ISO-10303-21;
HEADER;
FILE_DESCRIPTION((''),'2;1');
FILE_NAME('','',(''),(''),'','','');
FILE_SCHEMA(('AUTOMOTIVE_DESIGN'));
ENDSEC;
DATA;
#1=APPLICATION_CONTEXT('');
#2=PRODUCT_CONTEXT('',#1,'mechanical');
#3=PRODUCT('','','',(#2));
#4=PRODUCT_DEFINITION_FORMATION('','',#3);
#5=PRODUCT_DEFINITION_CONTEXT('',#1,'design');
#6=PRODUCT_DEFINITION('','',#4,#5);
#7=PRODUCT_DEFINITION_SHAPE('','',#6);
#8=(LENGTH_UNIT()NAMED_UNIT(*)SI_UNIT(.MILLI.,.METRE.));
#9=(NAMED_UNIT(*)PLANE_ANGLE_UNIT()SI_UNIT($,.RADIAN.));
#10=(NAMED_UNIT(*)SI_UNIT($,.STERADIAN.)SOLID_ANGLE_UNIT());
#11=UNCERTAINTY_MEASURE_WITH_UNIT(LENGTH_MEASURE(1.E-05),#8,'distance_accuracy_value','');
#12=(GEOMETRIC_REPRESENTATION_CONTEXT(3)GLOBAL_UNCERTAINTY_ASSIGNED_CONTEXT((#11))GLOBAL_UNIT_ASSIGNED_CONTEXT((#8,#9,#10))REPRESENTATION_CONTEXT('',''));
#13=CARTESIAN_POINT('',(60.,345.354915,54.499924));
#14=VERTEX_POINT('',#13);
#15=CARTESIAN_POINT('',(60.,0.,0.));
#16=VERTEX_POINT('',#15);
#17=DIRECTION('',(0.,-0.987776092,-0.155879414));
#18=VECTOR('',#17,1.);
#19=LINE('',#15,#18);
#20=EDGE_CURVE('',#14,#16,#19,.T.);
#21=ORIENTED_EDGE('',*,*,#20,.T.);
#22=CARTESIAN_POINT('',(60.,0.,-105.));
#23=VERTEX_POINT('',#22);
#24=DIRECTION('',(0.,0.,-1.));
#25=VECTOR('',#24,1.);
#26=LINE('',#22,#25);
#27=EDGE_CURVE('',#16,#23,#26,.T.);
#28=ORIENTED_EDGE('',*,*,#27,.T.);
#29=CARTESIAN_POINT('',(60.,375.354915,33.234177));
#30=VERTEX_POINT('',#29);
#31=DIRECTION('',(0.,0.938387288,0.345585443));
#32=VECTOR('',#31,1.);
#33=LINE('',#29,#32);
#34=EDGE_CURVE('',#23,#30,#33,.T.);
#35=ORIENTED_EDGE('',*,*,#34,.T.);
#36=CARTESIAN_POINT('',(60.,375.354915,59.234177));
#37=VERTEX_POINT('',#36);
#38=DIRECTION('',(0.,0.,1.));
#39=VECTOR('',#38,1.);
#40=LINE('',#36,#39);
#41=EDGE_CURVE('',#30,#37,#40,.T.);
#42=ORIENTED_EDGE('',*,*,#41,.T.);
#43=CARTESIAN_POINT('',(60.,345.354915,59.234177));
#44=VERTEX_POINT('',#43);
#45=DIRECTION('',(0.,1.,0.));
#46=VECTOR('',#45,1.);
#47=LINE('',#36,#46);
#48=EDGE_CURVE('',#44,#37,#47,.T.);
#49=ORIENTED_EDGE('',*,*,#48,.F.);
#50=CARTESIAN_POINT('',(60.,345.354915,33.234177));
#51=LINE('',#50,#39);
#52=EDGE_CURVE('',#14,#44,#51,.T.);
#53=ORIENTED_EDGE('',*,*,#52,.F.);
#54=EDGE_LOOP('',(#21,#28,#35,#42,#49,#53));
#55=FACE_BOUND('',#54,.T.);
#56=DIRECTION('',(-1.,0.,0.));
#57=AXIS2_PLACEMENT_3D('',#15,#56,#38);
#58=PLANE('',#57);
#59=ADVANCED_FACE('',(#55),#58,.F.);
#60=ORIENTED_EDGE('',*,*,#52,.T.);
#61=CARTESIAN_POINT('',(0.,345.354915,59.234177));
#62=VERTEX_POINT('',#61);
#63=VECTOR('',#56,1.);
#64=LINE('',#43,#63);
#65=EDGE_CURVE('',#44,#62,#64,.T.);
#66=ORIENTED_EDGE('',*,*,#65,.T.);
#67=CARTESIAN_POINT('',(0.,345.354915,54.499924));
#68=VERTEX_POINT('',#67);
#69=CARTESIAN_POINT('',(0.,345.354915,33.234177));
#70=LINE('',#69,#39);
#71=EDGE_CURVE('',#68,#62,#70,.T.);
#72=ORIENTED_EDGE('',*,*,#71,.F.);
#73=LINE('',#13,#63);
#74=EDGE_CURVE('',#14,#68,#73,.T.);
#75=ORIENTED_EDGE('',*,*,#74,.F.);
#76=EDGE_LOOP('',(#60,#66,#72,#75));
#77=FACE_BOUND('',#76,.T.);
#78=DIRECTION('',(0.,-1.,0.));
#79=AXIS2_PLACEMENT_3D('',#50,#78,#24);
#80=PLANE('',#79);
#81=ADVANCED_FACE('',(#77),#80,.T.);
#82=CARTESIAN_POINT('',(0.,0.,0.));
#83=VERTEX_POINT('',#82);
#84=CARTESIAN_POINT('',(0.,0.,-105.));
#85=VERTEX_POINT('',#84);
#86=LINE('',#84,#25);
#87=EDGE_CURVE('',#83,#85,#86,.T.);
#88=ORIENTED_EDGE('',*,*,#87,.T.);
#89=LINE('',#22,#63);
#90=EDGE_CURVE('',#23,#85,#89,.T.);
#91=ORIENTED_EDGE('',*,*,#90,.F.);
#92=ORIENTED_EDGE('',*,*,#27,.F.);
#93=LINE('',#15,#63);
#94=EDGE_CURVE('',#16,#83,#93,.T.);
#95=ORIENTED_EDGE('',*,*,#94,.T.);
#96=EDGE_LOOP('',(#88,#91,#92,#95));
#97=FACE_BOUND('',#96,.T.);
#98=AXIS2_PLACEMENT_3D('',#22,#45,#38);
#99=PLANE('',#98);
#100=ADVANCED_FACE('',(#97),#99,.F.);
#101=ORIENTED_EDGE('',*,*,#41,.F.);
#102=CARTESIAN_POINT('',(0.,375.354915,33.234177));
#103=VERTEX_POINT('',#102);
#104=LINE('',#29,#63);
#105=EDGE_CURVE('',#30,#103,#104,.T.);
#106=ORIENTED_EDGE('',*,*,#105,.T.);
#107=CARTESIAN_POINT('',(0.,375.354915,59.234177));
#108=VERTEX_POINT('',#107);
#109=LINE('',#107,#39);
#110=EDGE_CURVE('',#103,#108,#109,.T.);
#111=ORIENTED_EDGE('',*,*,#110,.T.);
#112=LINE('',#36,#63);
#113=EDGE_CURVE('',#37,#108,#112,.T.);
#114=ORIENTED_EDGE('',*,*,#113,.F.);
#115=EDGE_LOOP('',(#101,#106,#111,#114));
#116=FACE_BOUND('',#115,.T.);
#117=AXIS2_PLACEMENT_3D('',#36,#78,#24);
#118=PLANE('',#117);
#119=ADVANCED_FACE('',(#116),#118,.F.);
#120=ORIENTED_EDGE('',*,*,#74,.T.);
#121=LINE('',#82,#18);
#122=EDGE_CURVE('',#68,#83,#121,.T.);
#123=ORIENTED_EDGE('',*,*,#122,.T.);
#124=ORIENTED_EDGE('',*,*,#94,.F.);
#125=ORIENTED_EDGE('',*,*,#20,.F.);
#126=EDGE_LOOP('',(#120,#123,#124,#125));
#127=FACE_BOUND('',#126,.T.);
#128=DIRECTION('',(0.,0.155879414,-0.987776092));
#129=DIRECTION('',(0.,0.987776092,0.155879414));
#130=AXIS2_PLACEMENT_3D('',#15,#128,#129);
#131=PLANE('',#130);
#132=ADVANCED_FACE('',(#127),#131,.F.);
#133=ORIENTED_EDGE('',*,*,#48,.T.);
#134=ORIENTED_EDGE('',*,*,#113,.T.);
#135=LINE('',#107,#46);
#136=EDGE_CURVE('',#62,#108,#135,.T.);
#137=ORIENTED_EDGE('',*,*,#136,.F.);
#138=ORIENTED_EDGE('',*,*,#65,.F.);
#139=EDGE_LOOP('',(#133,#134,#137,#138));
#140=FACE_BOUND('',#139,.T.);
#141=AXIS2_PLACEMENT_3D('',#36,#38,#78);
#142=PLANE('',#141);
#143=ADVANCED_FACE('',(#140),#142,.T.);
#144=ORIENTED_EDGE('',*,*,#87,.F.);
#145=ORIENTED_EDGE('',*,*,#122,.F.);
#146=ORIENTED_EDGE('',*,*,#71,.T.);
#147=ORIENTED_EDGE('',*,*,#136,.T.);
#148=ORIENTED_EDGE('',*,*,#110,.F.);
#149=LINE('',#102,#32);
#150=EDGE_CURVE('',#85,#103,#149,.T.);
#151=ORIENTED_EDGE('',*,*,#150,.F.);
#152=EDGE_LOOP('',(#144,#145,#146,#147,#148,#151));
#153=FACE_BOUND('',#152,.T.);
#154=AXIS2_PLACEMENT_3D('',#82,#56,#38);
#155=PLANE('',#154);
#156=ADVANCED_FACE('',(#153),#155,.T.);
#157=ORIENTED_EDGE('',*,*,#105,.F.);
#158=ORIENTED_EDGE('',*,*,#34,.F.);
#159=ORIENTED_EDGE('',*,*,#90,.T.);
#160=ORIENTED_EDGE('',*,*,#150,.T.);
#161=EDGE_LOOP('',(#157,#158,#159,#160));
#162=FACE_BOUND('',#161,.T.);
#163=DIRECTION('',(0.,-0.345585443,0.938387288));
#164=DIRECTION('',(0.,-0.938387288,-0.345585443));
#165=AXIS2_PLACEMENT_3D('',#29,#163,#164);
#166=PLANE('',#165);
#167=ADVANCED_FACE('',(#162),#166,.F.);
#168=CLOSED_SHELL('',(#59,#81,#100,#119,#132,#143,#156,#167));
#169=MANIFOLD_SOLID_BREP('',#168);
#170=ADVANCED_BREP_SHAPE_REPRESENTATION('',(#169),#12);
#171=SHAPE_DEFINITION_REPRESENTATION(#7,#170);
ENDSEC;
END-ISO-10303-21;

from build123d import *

# Parameters (mm, degrees)
BOSS_EXTRUDE1_DEPTH = 60
SKETCH2_W           = 26
SKETCH2_H           = 30
BOSS_EXTRUDE2_DEPTH = 60


with BuildPart() as part:
    # Sketch1 → Boss-Extrude1 (new body)
    with BuildSketch(Plane(origin=(0, 0, 0), x_dir=(0, 0, -1), z_dir=(1, 0, 0))):
        Polygon((0, 0), (-59.234177215, 375.354915047), (-33.234177215, 375.354915047), (105, 0), align=None)
    extrude(amount=BOSS_EXTRUDE1_DEPTH)

    # Sketch2 → Boss-Extrude2 (add)
    with BuildSketch(Plane.ZY):
        with Locations((46.234177215, 360.354915047)):
            Rectangle(SKETCH2_W, SKETCH2_H)
    extrude(amount=-BOSS_EXTRUDE2_DEPTH)


solid = part.part
